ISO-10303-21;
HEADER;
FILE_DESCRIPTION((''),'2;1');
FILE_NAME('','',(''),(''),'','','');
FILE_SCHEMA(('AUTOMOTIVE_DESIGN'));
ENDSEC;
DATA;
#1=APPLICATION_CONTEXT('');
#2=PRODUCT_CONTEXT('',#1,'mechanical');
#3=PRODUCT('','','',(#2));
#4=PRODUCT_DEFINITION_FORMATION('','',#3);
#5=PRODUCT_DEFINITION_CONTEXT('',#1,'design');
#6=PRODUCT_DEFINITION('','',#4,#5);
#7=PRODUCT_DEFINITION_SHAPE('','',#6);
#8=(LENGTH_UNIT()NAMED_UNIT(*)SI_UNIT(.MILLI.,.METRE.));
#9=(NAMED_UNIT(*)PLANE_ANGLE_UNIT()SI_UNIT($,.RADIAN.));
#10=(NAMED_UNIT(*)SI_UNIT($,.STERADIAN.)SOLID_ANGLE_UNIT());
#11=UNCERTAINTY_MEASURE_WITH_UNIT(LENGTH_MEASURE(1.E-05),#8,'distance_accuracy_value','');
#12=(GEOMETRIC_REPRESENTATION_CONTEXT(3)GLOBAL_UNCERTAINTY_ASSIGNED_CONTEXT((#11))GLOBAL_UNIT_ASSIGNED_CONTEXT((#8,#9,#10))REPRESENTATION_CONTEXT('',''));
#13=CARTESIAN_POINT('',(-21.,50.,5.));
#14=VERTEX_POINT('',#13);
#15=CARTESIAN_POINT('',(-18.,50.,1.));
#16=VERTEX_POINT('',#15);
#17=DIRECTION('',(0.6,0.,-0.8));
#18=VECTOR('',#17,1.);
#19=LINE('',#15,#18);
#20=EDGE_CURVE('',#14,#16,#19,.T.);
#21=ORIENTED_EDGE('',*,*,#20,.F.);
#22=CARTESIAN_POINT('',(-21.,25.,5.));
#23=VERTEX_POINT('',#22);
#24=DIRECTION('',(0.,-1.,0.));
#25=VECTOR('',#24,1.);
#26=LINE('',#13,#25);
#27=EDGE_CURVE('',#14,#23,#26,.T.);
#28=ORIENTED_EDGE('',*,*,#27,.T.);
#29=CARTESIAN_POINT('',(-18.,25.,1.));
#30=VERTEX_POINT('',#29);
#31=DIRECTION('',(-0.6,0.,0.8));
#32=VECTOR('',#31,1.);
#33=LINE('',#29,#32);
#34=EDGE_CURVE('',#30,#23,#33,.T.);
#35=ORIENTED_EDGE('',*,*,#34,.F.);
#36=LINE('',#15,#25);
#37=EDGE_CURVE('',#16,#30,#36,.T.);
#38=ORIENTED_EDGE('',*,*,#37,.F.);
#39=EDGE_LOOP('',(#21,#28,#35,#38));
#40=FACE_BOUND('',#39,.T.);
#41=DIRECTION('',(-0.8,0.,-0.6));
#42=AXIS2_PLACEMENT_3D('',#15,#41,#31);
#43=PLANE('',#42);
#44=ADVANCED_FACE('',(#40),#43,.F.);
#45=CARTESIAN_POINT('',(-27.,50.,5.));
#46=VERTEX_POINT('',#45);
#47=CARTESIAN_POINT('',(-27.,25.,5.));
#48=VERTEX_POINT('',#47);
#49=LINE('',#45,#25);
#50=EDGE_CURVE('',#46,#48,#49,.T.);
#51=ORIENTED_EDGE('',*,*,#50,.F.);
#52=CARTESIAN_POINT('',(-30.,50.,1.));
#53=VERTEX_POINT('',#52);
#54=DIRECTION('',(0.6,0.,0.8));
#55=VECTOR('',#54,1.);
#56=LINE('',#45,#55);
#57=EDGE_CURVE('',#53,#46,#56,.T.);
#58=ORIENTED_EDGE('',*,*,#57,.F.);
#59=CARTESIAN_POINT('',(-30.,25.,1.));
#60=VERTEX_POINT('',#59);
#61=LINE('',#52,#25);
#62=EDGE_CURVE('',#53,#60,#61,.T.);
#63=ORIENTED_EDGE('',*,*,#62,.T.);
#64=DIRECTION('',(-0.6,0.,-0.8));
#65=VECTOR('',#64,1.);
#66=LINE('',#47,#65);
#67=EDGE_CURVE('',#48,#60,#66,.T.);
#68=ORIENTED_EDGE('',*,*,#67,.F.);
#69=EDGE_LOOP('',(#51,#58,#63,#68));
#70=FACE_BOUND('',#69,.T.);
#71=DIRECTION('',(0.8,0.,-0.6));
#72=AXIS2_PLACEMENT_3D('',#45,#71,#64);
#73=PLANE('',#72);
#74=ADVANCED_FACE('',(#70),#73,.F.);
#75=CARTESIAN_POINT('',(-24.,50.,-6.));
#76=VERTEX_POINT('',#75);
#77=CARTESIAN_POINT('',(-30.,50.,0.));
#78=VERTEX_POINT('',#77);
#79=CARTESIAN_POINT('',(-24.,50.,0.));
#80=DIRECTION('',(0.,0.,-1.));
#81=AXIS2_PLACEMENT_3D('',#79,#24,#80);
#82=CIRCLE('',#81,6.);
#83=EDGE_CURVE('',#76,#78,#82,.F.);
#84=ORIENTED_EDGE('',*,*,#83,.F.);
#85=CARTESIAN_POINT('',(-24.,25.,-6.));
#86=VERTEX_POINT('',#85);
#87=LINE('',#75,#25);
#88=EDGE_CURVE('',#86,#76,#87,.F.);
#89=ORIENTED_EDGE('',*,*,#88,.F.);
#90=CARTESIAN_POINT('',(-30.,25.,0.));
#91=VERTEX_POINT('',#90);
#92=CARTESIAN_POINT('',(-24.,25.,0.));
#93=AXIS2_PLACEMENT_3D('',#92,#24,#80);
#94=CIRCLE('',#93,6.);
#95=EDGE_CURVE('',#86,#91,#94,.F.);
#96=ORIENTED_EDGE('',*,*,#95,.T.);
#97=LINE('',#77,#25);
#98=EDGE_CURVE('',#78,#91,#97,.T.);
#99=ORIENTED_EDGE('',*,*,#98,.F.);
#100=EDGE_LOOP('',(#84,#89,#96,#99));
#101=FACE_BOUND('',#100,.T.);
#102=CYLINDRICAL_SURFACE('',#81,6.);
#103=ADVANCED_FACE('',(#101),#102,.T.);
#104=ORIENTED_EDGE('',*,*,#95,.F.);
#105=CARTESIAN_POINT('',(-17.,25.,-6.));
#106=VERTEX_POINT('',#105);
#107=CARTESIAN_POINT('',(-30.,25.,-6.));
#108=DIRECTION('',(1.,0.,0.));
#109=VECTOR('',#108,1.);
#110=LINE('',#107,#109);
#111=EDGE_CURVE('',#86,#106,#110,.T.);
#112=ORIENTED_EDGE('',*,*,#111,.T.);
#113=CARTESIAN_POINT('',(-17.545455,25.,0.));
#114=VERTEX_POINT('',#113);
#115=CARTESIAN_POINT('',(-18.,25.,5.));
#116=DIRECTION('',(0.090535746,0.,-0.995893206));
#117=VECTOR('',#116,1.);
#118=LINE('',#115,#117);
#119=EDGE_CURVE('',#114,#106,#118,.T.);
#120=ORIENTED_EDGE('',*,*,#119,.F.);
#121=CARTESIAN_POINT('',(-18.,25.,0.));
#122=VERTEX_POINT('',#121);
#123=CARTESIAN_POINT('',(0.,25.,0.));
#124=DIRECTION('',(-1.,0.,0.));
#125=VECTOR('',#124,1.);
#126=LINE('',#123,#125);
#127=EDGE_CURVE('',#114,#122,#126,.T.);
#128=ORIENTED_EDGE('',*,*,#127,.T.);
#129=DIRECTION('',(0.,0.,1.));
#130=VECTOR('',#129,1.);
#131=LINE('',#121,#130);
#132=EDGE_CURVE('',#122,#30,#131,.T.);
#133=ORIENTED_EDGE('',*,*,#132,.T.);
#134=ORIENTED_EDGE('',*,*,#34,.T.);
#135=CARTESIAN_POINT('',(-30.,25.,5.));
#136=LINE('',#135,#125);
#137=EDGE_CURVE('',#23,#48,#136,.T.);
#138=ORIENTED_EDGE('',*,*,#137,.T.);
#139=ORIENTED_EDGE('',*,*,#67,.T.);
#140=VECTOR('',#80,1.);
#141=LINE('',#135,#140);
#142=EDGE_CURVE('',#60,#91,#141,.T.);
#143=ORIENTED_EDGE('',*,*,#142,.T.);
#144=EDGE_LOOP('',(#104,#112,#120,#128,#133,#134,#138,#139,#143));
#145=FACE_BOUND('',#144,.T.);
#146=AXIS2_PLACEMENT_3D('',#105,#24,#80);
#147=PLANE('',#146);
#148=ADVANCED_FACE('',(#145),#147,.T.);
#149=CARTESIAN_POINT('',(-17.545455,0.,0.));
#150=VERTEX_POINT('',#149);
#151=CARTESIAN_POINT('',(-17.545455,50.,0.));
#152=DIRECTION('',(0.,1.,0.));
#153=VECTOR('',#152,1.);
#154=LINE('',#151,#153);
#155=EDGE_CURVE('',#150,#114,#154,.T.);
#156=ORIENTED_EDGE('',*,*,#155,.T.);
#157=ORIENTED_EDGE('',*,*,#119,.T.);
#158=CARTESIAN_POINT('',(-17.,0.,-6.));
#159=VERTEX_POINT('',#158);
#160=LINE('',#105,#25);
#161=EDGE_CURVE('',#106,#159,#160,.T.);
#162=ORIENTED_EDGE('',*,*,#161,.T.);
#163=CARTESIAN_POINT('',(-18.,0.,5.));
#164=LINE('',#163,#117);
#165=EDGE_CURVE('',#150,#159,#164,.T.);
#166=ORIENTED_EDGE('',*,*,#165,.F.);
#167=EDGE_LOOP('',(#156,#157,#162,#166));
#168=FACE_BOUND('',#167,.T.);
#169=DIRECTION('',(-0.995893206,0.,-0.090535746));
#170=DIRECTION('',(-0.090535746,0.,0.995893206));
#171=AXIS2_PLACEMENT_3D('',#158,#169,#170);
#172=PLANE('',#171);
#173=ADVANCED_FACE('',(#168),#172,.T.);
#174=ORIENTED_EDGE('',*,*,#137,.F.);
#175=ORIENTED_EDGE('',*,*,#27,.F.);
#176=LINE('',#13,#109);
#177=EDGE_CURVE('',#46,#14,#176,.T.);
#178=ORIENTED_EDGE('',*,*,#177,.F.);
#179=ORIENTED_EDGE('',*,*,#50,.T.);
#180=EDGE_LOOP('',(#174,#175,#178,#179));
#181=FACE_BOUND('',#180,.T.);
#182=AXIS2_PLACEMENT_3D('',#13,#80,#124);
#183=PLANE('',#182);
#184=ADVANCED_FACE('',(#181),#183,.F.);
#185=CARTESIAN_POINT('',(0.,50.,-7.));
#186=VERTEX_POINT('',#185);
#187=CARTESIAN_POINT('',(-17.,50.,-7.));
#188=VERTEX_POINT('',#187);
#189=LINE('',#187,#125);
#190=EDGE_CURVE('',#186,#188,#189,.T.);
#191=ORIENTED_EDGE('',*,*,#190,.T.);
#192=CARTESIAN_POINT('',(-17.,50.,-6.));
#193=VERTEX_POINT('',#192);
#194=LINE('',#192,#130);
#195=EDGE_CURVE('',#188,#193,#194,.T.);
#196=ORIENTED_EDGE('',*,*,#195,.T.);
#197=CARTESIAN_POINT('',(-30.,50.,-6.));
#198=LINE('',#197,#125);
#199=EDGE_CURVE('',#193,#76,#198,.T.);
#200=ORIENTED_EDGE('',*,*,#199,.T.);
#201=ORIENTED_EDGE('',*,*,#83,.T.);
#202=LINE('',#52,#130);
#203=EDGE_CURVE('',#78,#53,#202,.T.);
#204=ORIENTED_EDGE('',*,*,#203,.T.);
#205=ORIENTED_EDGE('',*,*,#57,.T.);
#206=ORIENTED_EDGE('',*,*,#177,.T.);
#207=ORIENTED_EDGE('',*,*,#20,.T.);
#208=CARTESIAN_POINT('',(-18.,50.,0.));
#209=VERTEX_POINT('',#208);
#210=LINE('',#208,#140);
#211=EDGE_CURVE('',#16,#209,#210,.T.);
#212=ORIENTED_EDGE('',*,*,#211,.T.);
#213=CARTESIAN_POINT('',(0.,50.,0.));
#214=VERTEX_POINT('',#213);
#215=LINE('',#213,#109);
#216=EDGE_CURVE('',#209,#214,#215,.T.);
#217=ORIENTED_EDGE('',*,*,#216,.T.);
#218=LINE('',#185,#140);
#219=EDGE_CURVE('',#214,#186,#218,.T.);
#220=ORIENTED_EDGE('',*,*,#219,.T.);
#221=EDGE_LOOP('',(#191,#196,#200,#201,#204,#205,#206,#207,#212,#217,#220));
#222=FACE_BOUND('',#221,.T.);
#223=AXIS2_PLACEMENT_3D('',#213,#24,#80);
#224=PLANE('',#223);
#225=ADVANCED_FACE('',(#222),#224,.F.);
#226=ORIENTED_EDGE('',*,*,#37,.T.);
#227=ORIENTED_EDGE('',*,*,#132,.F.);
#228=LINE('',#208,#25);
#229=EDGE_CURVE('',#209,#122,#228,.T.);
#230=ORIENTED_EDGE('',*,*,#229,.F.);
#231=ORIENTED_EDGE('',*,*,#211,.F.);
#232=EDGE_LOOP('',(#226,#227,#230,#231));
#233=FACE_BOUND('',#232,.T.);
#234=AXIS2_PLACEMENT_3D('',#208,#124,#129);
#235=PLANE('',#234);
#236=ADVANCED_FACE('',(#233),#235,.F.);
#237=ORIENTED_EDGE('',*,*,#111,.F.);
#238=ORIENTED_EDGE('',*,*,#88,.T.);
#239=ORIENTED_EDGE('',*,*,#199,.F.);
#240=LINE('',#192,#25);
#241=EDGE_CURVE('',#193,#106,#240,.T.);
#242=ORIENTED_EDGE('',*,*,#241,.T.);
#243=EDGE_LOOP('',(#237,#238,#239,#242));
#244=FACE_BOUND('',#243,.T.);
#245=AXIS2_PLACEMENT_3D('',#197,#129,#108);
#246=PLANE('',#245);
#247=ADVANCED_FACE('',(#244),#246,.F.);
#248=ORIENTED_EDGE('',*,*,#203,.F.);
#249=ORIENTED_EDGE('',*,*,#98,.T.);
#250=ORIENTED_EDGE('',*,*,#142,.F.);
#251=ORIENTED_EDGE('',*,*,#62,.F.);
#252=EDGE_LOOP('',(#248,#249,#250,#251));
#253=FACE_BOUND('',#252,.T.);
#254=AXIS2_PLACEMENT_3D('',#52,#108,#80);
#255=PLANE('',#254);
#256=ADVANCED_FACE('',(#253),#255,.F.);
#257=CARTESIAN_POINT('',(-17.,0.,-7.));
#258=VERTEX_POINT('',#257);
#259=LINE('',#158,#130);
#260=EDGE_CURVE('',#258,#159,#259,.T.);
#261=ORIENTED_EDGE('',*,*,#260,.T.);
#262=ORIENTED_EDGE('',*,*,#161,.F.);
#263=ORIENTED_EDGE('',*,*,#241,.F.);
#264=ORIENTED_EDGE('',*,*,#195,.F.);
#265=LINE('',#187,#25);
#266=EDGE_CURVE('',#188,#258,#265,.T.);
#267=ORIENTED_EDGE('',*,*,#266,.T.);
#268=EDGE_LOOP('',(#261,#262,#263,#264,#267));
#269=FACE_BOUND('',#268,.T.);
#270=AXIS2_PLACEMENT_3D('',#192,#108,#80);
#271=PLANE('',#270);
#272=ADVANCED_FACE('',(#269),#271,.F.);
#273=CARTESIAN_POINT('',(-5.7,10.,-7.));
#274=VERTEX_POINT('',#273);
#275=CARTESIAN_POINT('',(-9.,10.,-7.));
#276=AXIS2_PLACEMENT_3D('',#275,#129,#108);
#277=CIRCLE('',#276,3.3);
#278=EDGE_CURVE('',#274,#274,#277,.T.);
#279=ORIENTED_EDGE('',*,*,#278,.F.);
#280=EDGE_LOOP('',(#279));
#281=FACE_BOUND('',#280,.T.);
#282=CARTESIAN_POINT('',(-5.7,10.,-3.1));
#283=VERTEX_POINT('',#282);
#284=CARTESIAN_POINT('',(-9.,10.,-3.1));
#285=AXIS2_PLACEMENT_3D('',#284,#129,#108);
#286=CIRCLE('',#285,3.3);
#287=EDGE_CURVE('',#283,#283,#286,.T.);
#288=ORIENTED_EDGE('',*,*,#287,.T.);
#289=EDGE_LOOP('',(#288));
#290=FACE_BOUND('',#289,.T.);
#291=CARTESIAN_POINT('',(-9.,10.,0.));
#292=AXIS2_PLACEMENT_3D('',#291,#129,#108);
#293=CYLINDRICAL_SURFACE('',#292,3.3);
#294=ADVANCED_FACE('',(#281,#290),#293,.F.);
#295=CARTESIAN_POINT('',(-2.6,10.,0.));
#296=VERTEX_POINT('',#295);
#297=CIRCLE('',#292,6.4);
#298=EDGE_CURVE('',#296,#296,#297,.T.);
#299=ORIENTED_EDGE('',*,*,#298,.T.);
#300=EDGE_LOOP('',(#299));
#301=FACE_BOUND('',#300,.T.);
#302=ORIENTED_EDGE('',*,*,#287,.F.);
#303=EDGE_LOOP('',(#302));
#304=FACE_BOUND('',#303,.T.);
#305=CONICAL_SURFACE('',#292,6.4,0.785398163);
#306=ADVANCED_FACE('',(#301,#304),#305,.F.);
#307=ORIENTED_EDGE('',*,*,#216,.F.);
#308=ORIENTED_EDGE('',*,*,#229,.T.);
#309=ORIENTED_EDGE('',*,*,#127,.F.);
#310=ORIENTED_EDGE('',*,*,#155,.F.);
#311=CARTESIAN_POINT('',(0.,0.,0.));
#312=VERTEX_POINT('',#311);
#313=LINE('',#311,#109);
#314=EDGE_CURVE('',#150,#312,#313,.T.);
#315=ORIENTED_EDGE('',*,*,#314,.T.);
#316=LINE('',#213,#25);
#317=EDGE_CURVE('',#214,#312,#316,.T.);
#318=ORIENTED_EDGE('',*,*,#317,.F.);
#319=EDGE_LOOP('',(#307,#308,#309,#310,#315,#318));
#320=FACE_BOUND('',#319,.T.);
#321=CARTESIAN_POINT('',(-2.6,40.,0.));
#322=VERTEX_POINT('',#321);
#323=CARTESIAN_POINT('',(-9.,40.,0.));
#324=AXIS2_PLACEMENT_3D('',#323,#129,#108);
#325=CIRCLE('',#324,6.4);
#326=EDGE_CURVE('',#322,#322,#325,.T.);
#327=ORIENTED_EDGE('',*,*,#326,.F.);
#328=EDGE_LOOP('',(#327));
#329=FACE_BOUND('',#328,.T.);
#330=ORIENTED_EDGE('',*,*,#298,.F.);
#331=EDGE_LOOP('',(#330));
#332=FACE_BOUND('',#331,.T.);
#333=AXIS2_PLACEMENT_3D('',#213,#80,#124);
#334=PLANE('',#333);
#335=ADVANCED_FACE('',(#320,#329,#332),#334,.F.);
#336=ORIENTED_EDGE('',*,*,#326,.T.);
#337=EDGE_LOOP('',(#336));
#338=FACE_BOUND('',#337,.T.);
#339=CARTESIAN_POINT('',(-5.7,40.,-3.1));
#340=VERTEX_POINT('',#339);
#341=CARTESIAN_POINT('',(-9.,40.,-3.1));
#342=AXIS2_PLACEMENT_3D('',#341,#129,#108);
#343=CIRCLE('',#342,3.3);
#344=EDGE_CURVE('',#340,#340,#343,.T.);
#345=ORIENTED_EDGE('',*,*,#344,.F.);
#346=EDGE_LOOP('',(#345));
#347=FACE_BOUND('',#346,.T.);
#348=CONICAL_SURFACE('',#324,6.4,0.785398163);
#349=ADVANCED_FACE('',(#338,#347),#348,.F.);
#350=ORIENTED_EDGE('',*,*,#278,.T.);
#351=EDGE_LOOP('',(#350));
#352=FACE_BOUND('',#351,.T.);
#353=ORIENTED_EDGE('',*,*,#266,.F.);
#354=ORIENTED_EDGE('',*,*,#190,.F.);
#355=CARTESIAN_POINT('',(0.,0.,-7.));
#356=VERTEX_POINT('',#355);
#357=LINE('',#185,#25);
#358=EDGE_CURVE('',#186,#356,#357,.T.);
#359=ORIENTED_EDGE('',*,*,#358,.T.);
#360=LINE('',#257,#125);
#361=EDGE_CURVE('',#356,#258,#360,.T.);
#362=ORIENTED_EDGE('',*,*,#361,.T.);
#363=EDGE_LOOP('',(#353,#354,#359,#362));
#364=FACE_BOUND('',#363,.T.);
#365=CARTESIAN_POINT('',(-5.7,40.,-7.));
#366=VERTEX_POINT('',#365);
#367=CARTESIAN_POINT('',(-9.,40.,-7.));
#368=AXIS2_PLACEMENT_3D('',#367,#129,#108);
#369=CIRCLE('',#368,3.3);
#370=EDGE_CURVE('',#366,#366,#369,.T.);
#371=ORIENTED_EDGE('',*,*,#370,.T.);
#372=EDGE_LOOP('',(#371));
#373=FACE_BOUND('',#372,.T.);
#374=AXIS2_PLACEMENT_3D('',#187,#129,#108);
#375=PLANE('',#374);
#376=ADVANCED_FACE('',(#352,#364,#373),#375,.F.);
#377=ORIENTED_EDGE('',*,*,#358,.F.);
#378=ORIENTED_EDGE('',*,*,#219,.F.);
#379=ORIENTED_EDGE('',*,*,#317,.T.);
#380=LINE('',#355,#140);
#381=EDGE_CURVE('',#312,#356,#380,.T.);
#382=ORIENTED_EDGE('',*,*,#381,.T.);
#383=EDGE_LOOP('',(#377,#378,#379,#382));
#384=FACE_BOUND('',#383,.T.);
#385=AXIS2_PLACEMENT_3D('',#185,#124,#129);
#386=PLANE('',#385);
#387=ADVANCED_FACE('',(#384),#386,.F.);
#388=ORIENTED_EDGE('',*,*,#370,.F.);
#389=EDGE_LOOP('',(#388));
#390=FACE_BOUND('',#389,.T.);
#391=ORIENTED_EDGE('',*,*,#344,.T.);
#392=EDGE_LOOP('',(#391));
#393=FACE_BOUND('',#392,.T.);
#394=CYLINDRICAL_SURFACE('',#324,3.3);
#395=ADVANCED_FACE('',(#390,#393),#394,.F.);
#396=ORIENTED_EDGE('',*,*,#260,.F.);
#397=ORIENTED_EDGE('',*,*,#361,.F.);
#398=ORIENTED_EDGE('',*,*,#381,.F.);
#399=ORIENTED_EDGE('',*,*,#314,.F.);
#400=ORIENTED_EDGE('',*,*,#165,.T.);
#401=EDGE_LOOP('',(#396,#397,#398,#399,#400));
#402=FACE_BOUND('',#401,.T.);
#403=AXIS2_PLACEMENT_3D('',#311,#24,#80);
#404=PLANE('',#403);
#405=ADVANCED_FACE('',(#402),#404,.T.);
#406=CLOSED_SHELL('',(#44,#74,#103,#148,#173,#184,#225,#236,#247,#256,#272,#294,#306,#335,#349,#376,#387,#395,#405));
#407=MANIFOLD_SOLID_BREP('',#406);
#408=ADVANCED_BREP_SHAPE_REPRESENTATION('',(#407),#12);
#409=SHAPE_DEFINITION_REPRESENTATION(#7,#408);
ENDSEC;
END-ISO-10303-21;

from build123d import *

# Parameters (mm, degrees)
EXTRUDE_1_DEPTH           = 50
FILLET_1_R                = 6
HOLE_WIZARD_1_D           = 6.6
HOLE_WIZARD_1_CSINK_D     = 12.8
HOLE_WIZARD_1_CSINK_ANGLE = 90


with BuildPart() as part:
    # 草图1 → 凸台-拉伸1 (new body)
    with BuildSketch(Plane(origin=(0, 0, 0), x_dir=(1, 0, 0), z_dir=(0, 1, 0))):
        Polygon((0, 0), (-18, 0), (-18, -1), (-21, -5), (-27, -5), (-30, -1), (-30, 6), (-17, 6), (-17, 7), (0, 7), align=None)
    extrude(amount=EXTRUDE_1_DEPTH)

    # 圆角1
    fillet_1_edges = [part.edges().sort_by_distance(p)[0] for p in [
        (-30, 25, -6),
    ]]
    fillet(fillet_1_edges, radius=FILLET_1_R)

    # 打孔尺寸根据内六角花形半沉头螺钉的类型1 (through all)
    with Locations(Plane.XY):
        with Locations((-9, 40), (-9, 10)):
            CounterSinkHole(HOLE_WIZARD_1_D / 2, HOLE_WIZARD_1_CSINK_D / 2, counter_sink_angle=HOLE_WIZARD_1_CSINK_ANGLE)

    # 草图2 → 切除-放样1 section 0
    with BuildSketch(Plane.XY.offset(5)):
        with BuildLine():
            Line((-30, 0), (-18, 0))
            Line((-18, 0), (-18, 25))
            Line((-18, 25), (-30, 25))
            Line((-30, 25), (-30, 0))
        make_face()
    # 草图5 → 切除-放样1 section 1
    with BuildSketch(Plane(origin=(0, 0, -6), x_dir=(-1, 0, 0), z_dir=(0, 0, -1))):
        with BuildLine():
            Line((30, 25), (17, 25))
            Line((17, 25), (17, 0))
            Line((17, 0), (30, 0))
            Line((30, 0), (30, 25))
        make_face()
    loft(mode=Mode.SUBTRACT)


solid = part.part
